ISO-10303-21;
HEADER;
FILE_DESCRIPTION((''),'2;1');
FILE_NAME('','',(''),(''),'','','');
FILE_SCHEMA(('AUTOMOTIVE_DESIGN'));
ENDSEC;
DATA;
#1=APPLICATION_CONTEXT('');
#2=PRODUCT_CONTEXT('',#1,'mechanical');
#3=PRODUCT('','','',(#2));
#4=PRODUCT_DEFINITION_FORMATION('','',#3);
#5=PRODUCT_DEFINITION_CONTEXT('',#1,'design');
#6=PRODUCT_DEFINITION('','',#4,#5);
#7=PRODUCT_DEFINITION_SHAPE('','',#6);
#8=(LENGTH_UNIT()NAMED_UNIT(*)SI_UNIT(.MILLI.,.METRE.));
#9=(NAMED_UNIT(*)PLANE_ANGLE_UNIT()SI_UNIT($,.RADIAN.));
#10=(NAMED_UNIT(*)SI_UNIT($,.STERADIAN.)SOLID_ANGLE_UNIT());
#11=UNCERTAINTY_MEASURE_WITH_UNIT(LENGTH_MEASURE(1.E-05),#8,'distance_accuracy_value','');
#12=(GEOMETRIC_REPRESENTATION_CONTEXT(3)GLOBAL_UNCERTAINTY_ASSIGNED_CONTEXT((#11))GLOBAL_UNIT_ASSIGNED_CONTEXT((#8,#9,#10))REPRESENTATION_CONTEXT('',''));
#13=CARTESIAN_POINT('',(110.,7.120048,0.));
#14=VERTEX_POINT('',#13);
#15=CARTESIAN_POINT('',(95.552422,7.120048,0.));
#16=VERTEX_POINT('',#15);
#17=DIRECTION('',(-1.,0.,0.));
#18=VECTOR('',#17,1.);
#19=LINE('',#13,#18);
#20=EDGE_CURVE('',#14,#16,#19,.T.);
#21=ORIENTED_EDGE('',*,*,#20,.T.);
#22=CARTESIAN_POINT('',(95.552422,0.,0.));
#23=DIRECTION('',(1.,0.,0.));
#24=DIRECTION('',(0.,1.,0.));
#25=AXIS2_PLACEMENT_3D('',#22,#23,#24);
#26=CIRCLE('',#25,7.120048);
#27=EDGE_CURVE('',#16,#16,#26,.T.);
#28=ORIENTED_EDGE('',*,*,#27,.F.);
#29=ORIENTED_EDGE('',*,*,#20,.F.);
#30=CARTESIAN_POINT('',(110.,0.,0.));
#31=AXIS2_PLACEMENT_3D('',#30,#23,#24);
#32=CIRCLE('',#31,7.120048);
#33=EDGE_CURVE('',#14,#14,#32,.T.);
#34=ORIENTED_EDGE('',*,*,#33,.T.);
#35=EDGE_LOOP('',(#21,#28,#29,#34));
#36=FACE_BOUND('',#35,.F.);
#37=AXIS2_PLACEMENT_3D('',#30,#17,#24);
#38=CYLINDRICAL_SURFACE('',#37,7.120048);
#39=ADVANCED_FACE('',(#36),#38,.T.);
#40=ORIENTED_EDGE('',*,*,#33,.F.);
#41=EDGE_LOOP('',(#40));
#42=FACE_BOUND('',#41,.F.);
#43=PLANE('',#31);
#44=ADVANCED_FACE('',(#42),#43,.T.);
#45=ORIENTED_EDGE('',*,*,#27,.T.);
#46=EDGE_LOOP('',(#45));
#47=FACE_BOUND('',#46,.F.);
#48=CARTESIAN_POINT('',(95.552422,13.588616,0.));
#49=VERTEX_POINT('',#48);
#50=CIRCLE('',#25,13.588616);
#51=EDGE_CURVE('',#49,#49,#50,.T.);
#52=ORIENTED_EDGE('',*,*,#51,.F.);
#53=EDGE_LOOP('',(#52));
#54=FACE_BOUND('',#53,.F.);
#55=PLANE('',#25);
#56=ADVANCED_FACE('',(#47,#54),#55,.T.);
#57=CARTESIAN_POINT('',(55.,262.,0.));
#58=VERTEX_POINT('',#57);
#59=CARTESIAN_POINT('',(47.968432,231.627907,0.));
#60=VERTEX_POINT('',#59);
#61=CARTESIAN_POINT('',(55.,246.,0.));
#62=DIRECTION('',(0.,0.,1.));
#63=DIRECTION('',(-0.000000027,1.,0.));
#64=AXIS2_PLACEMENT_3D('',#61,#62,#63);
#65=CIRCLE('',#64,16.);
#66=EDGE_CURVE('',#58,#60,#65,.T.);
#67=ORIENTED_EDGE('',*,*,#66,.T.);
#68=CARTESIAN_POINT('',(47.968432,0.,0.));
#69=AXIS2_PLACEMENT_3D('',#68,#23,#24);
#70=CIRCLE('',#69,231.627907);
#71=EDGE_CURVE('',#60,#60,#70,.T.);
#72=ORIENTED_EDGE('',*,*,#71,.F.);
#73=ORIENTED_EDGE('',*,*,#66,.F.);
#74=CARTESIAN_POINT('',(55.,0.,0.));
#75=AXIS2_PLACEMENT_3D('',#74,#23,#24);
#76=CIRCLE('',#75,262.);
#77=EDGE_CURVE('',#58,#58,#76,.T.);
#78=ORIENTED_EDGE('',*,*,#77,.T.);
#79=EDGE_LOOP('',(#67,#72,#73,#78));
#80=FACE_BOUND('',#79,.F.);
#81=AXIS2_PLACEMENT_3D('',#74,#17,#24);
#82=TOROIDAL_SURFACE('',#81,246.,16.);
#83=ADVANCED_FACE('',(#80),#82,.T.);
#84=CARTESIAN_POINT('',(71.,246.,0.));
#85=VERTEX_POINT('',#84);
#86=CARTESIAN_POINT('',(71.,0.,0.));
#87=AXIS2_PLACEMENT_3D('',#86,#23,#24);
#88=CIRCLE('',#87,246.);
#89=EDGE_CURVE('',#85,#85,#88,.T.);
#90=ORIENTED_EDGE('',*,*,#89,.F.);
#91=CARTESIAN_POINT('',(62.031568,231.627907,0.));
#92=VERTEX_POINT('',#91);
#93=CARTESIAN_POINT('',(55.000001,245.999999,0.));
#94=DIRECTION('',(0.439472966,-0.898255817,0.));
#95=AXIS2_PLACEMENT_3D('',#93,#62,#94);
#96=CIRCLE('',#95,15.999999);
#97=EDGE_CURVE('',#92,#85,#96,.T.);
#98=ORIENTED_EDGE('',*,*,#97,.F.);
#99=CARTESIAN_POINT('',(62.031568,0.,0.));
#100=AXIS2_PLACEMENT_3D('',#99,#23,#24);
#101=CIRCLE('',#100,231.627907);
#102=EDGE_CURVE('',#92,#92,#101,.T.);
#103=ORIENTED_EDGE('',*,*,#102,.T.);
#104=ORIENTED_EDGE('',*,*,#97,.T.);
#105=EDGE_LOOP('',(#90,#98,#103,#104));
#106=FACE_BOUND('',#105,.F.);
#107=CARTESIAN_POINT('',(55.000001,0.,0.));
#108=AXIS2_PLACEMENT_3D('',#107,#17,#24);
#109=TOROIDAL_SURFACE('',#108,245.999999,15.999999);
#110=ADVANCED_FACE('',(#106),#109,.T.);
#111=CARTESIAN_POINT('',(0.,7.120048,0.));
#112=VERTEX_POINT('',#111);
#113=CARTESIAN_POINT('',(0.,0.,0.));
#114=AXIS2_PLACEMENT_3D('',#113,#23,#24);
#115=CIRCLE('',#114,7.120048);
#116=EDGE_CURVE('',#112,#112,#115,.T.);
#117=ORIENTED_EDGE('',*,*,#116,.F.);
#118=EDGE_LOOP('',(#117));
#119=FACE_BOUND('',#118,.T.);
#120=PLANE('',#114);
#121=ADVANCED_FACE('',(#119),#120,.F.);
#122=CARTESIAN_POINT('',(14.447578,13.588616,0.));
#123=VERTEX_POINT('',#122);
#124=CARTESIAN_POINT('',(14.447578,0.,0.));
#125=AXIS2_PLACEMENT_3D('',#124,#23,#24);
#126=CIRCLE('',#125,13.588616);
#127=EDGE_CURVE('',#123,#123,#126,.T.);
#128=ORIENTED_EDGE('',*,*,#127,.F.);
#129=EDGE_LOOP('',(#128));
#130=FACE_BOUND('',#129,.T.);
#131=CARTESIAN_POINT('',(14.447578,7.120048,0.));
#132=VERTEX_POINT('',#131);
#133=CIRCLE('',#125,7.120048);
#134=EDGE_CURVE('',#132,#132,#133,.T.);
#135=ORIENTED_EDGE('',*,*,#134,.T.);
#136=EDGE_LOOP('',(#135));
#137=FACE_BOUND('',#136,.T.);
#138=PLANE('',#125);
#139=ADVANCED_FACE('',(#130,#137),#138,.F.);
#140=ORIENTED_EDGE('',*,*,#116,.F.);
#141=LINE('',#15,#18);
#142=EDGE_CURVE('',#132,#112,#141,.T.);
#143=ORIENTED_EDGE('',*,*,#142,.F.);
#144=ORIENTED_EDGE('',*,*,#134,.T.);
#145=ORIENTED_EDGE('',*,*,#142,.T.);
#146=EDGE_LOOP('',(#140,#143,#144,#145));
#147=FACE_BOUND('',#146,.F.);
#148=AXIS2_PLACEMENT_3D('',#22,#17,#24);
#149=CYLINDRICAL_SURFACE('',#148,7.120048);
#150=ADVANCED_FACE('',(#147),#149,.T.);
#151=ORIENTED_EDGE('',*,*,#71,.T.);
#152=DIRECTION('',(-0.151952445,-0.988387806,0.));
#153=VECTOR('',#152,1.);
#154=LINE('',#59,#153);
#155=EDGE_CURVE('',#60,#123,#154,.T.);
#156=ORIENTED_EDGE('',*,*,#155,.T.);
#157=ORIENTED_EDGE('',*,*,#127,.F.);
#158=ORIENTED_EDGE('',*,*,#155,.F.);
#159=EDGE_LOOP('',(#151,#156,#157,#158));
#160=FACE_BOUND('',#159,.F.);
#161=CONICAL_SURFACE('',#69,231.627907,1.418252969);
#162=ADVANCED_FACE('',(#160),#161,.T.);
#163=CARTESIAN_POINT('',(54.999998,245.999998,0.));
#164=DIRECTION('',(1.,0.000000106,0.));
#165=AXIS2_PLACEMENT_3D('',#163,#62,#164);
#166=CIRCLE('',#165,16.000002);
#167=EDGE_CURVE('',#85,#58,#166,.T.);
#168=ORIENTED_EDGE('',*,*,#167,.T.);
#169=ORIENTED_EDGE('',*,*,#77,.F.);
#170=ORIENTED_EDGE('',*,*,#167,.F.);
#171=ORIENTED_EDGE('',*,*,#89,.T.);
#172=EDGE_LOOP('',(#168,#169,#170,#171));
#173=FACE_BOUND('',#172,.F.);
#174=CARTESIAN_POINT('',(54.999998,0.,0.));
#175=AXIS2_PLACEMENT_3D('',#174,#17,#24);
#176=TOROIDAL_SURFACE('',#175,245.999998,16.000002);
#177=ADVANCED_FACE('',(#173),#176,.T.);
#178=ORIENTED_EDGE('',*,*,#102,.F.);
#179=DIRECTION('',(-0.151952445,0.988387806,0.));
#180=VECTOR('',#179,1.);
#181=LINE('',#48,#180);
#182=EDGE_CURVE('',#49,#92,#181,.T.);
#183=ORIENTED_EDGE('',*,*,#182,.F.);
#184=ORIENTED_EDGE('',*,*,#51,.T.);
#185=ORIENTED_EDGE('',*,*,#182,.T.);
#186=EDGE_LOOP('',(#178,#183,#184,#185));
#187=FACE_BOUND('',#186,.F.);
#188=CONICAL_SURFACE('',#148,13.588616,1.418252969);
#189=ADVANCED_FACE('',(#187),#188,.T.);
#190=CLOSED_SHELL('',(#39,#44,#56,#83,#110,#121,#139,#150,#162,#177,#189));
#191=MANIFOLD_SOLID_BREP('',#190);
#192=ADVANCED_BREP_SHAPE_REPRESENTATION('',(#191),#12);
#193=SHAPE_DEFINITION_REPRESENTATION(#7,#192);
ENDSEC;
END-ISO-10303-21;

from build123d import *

# Parameters (mm, degrees)
F0_W   = 14.447578
F0_H   = 7.120048
F0_W_2 = 40.552422
F0_H_2 = 6.468568


with BuildPart() as f1:
    # F0 (on Top) → F1 (revolve)
    with BuildSketch(Plane.XY):
        with Locations((7.223789, 3.560024)):
            Rectangle(F0_W, F0_H)
        with Locations((34.723789, 3.560024)):
            Rectangle(F0_W_2, F0_H)
        with Locations((75.276211, 3.560024)):
            Rectangle(F0_W_2, F0_H)
        with Locations((34.723789, 10.354332)):
            Rectangle(F0_W_2, F0_H_2)
        with Locations((102.776211, 3.560024)):
            Rectangle(F0_W, F0_H)
        with Locations((75.276211, 10.354332)):
            Rectangle(F0_W_2, F0_H_2)
        with BuildLine():
            Line((47.968432, 231.627907), (14.447578, 13.588616))
            Line((14.447578, 13.588616), (55, 13.588616))
            Line((55, 13.588616), (55, 230))
            ThreePointArc((55, 230), (51.391225, 230.412289), (47.968432, 231.627907))
        make_face()
        with BuildLine():
            Line((55, 230), (55, 13.588616))
            Line((55, 13.588616), (95.552422, 13.588616))
            Line((95.552422, 13.588616), (62.031568, 231.627907))
            ThreePointArc((62.031568, 231.627907), (58.608775, 230.412289), (55, 230))
        make_face()
        with BuildLine():
            ThreePointArc((55, 262), (39.412289, 249.608775), (47.968432, 231.627907))
            ThreePointArc((47.968432, 231.627907), (51.391225, 230.412289), (55, 230))
            Line((55, 230), (55, 262))
        make_face()
        with BuildLine():
            Line((55, 262), (55, 230))
            ThreePointArc((55, 230), (58.608775, 230.412289), (62.031568, 231.627907))
            ThreePointArc((62.031568, 231.627907), (68.573966, 237.529613), (71, 246))
            ThreePointArc((71, 246), (66.313708, 257.313708), (55, 262))
        make_face()
    revolve(axis=Axis((55, 0, 0), (1, 0, 0)))


solid = f1.part
